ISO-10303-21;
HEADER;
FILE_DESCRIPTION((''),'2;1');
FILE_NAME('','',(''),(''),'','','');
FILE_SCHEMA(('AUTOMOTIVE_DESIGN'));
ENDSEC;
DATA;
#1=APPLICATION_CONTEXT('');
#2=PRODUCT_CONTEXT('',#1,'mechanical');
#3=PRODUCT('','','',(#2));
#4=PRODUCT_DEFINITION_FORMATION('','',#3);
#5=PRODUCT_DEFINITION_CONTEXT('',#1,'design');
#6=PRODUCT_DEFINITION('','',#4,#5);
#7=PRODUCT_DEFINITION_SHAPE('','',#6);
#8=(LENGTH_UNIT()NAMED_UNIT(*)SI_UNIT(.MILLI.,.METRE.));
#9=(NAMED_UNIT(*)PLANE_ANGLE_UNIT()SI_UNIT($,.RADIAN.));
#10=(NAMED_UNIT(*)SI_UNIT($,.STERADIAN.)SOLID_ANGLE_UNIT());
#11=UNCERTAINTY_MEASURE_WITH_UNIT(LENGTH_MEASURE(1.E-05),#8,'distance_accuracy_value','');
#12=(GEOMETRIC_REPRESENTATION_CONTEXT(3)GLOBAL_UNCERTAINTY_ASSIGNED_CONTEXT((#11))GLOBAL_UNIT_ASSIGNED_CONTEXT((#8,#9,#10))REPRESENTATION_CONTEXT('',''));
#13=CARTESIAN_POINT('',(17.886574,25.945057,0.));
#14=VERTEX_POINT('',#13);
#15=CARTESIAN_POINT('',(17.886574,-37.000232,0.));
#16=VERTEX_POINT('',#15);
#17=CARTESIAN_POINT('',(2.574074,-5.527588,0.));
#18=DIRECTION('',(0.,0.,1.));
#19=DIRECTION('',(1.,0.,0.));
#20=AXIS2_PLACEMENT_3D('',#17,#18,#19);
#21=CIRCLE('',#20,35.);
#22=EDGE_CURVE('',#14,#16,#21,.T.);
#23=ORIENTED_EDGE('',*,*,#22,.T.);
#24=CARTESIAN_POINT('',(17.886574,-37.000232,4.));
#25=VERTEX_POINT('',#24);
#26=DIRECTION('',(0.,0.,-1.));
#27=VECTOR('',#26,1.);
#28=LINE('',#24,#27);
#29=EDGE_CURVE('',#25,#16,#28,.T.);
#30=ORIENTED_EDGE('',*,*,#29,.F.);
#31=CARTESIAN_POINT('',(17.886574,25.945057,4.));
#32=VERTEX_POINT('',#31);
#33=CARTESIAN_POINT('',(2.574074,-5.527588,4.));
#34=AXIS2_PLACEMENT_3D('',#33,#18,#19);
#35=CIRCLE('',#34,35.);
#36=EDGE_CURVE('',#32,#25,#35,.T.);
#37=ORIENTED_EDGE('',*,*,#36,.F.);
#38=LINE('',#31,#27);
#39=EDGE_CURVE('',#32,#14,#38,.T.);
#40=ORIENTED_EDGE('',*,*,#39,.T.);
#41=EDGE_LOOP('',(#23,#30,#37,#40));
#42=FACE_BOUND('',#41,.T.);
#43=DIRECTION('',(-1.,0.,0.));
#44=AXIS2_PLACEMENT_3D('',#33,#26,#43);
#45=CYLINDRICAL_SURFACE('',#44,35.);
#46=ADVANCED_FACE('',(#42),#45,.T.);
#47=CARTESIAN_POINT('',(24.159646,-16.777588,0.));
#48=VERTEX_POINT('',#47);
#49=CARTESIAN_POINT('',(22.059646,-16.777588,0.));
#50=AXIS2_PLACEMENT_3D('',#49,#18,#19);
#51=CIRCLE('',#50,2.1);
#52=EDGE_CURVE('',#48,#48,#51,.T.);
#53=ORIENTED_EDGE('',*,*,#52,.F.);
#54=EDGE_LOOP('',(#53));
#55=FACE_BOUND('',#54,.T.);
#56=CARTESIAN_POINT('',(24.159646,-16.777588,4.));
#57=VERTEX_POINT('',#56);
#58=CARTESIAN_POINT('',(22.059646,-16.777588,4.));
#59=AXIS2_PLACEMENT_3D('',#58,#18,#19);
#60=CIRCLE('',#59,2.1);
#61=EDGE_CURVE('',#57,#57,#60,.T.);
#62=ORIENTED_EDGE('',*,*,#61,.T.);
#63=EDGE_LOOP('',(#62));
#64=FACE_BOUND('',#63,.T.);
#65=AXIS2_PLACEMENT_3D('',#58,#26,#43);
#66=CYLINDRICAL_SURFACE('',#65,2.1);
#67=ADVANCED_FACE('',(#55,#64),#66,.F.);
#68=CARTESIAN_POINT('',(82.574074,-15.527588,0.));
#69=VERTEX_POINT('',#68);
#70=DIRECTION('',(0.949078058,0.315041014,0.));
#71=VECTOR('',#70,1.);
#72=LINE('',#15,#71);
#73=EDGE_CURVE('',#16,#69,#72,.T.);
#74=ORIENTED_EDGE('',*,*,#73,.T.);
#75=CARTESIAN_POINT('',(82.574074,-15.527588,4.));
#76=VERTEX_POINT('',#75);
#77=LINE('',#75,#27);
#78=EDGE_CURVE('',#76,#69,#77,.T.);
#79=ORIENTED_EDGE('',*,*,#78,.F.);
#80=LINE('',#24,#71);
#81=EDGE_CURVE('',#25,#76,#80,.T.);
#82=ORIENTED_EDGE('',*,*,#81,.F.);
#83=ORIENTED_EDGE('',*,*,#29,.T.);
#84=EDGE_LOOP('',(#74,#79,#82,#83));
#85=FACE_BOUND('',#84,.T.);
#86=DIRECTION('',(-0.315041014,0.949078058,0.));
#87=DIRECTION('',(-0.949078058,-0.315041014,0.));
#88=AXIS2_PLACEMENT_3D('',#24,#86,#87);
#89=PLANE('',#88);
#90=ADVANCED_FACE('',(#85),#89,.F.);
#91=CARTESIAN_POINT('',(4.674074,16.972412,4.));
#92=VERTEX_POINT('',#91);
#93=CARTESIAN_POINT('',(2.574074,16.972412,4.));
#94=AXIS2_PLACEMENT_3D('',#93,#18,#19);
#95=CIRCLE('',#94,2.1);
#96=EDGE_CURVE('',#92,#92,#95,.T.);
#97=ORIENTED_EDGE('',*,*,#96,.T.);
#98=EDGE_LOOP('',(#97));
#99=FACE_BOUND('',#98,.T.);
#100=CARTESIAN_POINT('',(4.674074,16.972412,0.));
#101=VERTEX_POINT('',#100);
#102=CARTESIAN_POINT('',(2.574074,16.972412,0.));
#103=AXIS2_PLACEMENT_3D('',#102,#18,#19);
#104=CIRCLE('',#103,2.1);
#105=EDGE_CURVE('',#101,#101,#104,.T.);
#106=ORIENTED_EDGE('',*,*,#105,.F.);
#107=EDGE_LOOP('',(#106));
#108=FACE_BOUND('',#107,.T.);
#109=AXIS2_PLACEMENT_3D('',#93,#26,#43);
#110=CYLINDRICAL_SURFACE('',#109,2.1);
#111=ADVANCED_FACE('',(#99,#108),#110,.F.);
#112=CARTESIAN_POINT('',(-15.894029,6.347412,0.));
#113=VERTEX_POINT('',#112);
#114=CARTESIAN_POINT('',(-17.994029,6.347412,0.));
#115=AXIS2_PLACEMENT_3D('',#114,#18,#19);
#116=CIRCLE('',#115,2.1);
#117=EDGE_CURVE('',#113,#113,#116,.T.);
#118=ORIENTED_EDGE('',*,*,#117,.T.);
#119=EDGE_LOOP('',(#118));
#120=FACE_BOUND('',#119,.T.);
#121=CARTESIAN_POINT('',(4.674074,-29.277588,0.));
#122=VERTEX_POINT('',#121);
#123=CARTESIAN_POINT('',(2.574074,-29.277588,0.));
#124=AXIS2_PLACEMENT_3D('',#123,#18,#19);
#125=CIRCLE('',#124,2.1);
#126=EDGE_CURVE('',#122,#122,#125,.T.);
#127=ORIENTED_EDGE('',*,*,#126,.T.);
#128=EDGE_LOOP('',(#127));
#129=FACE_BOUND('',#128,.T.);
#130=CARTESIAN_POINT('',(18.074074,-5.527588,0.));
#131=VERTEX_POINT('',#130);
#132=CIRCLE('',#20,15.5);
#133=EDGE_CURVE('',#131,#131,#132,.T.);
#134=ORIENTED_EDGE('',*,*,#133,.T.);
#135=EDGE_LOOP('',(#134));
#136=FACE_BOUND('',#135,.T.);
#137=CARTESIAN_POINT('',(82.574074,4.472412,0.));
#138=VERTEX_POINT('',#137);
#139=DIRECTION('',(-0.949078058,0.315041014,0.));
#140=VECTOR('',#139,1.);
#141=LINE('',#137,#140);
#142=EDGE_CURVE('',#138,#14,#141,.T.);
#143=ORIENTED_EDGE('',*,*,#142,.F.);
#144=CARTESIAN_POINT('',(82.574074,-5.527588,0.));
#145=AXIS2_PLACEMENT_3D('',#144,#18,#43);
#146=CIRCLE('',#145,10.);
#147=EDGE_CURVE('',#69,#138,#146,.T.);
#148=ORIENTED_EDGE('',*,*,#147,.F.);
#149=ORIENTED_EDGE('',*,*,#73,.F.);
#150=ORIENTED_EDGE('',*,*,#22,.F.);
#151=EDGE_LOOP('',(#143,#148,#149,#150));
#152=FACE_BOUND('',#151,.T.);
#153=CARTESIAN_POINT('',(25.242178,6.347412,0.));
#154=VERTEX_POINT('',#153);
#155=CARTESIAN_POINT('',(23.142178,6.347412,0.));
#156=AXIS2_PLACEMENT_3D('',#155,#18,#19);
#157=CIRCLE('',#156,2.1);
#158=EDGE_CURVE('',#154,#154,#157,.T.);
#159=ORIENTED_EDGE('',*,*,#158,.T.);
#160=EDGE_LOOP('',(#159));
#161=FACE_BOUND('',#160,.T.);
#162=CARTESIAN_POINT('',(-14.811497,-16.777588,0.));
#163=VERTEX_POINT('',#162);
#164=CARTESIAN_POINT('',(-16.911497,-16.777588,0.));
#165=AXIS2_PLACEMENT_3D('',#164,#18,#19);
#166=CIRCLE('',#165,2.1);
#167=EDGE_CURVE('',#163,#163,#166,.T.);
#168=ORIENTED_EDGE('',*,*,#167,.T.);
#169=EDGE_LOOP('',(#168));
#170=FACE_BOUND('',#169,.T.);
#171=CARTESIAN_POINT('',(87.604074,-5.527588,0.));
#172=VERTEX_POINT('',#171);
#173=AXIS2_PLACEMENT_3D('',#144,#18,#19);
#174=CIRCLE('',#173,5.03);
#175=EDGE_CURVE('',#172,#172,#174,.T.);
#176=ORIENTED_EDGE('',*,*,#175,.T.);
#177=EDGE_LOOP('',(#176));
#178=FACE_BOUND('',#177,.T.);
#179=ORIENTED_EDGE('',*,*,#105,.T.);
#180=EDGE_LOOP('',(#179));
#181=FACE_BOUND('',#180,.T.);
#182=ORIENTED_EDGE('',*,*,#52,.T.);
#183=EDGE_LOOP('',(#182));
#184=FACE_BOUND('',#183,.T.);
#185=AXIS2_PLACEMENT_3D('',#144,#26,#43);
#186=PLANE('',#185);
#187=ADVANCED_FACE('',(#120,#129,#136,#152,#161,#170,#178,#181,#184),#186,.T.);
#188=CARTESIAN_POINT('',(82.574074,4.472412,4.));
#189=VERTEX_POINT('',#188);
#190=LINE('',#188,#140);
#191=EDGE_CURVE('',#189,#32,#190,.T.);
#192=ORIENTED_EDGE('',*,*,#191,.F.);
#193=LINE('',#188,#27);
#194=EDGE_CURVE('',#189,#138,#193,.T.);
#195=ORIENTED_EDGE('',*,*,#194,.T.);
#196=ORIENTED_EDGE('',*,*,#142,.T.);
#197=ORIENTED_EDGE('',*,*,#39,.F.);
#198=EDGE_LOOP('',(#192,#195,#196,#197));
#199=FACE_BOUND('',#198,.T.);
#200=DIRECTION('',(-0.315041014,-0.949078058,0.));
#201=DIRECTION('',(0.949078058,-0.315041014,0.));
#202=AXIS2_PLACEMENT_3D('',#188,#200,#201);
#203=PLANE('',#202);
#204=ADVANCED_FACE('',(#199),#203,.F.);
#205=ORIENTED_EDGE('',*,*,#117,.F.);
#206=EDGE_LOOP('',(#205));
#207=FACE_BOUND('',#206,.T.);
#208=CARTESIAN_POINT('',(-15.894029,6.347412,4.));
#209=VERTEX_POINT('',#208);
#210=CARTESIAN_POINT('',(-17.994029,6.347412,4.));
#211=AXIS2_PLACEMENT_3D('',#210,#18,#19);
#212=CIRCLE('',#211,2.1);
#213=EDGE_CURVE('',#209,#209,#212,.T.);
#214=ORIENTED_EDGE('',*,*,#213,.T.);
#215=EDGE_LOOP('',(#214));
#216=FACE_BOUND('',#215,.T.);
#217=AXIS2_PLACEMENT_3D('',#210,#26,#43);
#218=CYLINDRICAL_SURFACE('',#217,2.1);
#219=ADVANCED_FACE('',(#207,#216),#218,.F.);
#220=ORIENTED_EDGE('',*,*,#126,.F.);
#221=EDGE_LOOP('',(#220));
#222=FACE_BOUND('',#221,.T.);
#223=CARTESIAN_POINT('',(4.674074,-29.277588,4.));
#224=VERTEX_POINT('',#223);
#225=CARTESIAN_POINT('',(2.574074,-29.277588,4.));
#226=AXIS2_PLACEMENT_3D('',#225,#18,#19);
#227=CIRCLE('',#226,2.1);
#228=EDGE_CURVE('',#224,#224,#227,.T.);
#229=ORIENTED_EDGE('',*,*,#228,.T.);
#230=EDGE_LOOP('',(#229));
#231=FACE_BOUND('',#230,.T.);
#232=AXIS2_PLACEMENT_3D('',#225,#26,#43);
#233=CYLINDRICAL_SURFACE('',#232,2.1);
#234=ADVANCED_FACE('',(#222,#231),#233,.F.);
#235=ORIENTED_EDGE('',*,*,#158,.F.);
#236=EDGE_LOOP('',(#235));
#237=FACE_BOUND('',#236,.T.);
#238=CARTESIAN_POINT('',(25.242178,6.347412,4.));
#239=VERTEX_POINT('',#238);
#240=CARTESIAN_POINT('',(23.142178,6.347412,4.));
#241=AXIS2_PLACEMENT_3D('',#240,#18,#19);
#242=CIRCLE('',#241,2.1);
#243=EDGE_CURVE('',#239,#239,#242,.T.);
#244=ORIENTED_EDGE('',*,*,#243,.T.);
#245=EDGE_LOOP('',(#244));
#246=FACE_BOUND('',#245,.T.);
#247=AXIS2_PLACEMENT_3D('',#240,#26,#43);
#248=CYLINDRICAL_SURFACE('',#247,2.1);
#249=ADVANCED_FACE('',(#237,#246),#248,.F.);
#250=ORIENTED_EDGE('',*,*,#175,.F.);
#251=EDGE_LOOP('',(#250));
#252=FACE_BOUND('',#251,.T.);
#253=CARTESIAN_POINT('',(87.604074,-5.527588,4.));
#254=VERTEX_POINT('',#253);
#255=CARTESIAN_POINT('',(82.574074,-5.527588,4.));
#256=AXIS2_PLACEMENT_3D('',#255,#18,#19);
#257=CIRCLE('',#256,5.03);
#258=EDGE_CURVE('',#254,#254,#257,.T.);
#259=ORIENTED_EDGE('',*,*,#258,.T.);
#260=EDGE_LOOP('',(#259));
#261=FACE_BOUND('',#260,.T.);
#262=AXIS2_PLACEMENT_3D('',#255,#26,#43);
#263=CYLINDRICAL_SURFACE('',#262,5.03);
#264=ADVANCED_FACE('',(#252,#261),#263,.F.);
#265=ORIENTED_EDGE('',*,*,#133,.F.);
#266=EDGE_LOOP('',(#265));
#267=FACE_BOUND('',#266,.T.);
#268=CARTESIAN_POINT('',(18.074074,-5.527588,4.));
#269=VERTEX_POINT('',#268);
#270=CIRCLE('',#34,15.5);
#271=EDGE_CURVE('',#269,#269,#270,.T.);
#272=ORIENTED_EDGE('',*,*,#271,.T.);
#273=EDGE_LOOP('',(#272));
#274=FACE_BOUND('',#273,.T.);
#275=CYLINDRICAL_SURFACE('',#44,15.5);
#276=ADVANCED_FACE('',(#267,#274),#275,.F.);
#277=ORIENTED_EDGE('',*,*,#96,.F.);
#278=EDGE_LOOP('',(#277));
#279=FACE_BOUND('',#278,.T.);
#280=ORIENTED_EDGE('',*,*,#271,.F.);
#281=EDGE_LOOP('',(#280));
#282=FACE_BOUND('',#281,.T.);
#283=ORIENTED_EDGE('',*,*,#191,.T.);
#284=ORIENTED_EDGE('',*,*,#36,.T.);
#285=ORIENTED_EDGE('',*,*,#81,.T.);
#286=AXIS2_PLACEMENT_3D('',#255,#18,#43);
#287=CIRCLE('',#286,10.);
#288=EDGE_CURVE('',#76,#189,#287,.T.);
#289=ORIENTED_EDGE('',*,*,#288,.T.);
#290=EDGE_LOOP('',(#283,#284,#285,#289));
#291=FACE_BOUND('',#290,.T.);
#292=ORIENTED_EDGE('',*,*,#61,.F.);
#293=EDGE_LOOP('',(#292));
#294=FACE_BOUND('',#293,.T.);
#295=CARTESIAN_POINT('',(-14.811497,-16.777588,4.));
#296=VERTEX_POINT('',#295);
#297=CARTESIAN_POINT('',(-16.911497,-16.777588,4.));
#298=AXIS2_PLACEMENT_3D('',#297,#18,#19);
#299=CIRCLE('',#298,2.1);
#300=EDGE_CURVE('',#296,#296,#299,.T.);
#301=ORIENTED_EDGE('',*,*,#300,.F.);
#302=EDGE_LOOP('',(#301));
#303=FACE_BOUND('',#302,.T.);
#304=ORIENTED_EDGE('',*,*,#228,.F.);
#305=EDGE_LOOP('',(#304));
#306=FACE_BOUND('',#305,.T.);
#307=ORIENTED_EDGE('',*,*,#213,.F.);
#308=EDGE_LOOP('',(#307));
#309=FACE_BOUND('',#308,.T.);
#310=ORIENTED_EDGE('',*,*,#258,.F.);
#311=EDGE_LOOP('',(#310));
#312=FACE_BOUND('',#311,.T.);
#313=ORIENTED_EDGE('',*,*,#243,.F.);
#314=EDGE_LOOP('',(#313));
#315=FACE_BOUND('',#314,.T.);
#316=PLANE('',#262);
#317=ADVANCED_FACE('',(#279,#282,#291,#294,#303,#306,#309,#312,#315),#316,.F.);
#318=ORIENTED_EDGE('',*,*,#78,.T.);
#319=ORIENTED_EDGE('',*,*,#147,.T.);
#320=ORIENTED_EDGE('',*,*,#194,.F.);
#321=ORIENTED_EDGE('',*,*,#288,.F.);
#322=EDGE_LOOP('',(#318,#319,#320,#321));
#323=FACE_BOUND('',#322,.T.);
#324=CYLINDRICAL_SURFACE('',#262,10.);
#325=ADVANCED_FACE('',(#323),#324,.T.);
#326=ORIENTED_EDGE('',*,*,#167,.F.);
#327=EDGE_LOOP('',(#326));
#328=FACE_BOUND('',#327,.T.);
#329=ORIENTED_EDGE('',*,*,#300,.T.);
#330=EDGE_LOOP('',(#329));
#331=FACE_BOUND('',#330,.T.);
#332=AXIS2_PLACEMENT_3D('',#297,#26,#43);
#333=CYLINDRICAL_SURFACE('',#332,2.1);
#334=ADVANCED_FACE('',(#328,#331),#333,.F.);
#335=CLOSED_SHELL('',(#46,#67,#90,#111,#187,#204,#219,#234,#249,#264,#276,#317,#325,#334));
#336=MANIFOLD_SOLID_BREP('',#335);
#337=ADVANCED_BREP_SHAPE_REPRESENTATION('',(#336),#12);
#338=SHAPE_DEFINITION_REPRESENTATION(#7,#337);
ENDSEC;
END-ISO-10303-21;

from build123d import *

# Parameters (mm, degrees)
SKETCH_2_R      = 2.1
SKETCH_2_R_2    = 15.5
SKETCH_2_R_3    = 5.03
EXTRUDE_1_DEPTH = 4


with BuildPart() as part:
    # 草图2 → 凸台-拉伸1 (new body)
    with BuildSketch(Plane.XY):
        with BuildLine():
            Line((82.574074367, 4.472412166), (17.886574367, 25.945056537))
            ThreePointArc((17.886574367, 25.945056537), (-32.425925633, -5.527587834), (17.886574367, -37.000232206))
            Line((17.886574367, -37.000232206), (82.574074367, -15.527587834))
            ThreePointArc((82.574074367, -15.527587834), (92.574074367, -5.527587834), (82.574074367, 4.472412166))
        make_face()
        with Locations((2.574074367, -29.277587834)):
            Circle(SKETCH_2_R, mode=Mode.SUBTRACT)
        with Locations((22.059645952, -16.777587834)):
            Circle(SKETCH_2_R, mode=Mode.SUBTRACT)
        with Locations((2.574074367, -5.527587834)):
            Circle(SKETCH_2_R_2, mode=Mode.SUBTRACT)
        with Locations((82.574074367, -5.527587834)):
            Circle(SKETCH_2_R_3, mode=Mode.SUBTRACT)
        with Locations((-17.994028973, 6.347412166)):
            Circle(SKETCH_2_R, mode=Mode.SUBTRACT)
        with Locations((23.142177707, 6.347412166)):
            Circle(SKETCH_2_R, mode=Mode.SUBTRACT)
        with Locations((2.574074367, 16.972412166)):
            Circle(SKETCH_2_R, mode=Mode.SUBTRACT)
        with Locations((-16.911497218, -16.777587834)):
            Circle(SKETCH_2_R, mode=Mode.SUBTRACT)
    extrude(amount=EXTRUDE_1_DEPTH)


solid = part.part
